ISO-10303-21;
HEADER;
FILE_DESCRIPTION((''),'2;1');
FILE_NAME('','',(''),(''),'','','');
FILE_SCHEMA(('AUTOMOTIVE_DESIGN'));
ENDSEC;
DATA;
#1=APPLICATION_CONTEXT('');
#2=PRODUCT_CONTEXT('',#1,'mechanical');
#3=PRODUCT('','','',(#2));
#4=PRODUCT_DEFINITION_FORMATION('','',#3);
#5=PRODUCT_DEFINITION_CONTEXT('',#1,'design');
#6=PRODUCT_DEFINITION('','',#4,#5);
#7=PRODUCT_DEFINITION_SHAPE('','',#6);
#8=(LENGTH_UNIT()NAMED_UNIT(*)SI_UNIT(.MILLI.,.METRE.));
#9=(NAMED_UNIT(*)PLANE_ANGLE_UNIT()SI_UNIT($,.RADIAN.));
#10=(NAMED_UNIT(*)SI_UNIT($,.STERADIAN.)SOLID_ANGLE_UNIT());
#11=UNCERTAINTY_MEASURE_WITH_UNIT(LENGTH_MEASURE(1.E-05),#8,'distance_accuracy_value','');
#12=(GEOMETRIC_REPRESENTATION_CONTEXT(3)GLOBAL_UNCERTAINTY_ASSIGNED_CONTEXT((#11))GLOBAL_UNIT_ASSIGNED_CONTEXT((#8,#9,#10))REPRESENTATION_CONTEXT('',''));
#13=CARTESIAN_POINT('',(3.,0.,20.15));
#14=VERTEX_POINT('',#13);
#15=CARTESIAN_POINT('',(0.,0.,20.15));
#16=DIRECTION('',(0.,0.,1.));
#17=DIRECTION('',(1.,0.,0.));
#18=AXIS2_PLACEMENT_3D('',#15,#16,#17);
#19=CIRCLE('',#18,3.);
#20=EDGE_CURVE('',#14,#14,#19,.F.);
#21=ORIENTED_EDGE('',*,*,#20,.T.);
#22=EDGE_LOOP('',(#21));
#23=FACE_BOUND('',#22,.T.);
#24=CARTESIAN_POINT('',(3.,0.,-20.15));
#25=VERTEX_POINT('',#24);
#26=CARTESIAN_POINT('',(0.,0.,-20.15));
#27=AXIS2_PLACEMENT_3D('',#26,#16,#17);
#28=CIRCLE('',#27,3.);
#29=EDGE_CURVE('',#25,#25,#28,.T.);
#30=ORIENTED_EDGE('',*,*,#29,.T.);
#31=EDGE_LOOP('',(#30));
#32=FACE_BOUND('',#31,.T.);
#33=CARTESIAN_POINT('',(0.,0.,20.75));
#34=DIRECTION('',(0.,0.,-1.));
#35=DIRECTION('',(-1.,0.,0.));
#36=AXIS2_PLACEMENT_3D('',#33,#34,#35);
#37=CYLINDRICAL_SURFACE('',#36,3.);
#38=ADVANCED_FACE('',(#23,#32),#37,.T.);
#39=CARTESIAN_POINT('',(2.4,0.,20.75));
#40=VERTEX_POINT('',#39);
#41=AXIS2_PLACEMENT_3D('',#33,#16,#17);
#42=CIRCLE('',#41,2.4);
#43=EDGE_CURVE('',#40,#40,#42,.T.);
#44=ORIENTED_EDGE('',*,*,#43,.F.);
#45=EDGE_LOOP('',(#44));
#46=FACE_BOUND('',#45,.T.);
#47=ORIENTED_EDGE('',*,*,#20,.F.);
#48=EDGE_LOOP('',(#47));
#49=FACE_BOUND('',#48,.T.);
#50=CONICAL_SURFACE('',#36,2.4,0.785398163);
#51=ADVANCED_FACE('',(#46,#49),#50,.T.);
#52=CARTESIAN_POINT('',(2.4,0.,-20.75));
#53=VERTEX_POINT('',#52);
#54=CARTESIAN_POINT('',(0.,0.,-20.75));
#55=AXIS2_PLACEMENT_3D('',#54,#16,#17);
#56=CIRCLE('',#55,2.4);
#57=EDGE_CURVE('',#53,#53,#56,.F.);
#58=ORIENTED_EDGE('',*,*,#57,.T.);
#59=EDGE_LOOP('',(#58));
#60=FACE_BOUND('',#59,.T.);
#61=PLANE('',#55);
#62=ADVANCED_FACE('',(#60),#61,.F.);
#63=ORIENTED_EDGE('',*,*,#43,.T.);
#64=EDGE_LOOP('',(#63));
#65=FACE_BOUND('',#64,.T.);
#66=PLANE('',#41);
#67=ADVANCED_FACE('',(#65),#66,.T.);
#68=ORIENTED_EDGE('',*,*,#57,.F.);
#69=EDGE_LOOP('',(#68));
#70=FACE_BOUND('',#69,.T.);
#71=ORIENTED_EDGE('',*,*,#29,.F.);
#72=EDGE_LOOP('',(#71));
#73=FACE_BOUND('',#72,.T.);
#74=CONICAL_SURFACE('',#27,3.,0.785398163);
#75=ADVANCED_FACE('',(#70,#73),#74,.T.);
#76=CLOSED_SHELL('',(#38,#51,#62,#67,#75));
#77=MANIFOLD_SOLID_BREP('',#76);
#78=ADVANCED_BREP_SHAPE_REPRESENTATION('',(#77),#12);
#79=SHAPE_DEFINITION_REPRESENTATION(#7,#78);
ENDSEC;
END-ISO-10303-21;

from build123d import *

# Parameters (mm, degrees)
SKETCH1_R      = 3
EXTRUDE1_DEPTH = 20.75
CHAMFER1_SIZE  = 0.6


with BuildPart() as part:
    # Sketch1 → Extrude1 (new body, symmetric)
    with BuildSketch(Plane.XY):
        Circle(SKETCH1_R)
    extrude(amount=EXTRUDE1_DEPTH, both=True)

    # Chamfer1
    chamfer1_edges = [part.edges().sort_by_distance(p)[0] for p in [
        (-3, 0, -20.75),
        (-3, 0, 20.75),
    ]]
    chamfer(chamfer1_edges, length=CHAMFER1_SIZE)


solid = part.part
